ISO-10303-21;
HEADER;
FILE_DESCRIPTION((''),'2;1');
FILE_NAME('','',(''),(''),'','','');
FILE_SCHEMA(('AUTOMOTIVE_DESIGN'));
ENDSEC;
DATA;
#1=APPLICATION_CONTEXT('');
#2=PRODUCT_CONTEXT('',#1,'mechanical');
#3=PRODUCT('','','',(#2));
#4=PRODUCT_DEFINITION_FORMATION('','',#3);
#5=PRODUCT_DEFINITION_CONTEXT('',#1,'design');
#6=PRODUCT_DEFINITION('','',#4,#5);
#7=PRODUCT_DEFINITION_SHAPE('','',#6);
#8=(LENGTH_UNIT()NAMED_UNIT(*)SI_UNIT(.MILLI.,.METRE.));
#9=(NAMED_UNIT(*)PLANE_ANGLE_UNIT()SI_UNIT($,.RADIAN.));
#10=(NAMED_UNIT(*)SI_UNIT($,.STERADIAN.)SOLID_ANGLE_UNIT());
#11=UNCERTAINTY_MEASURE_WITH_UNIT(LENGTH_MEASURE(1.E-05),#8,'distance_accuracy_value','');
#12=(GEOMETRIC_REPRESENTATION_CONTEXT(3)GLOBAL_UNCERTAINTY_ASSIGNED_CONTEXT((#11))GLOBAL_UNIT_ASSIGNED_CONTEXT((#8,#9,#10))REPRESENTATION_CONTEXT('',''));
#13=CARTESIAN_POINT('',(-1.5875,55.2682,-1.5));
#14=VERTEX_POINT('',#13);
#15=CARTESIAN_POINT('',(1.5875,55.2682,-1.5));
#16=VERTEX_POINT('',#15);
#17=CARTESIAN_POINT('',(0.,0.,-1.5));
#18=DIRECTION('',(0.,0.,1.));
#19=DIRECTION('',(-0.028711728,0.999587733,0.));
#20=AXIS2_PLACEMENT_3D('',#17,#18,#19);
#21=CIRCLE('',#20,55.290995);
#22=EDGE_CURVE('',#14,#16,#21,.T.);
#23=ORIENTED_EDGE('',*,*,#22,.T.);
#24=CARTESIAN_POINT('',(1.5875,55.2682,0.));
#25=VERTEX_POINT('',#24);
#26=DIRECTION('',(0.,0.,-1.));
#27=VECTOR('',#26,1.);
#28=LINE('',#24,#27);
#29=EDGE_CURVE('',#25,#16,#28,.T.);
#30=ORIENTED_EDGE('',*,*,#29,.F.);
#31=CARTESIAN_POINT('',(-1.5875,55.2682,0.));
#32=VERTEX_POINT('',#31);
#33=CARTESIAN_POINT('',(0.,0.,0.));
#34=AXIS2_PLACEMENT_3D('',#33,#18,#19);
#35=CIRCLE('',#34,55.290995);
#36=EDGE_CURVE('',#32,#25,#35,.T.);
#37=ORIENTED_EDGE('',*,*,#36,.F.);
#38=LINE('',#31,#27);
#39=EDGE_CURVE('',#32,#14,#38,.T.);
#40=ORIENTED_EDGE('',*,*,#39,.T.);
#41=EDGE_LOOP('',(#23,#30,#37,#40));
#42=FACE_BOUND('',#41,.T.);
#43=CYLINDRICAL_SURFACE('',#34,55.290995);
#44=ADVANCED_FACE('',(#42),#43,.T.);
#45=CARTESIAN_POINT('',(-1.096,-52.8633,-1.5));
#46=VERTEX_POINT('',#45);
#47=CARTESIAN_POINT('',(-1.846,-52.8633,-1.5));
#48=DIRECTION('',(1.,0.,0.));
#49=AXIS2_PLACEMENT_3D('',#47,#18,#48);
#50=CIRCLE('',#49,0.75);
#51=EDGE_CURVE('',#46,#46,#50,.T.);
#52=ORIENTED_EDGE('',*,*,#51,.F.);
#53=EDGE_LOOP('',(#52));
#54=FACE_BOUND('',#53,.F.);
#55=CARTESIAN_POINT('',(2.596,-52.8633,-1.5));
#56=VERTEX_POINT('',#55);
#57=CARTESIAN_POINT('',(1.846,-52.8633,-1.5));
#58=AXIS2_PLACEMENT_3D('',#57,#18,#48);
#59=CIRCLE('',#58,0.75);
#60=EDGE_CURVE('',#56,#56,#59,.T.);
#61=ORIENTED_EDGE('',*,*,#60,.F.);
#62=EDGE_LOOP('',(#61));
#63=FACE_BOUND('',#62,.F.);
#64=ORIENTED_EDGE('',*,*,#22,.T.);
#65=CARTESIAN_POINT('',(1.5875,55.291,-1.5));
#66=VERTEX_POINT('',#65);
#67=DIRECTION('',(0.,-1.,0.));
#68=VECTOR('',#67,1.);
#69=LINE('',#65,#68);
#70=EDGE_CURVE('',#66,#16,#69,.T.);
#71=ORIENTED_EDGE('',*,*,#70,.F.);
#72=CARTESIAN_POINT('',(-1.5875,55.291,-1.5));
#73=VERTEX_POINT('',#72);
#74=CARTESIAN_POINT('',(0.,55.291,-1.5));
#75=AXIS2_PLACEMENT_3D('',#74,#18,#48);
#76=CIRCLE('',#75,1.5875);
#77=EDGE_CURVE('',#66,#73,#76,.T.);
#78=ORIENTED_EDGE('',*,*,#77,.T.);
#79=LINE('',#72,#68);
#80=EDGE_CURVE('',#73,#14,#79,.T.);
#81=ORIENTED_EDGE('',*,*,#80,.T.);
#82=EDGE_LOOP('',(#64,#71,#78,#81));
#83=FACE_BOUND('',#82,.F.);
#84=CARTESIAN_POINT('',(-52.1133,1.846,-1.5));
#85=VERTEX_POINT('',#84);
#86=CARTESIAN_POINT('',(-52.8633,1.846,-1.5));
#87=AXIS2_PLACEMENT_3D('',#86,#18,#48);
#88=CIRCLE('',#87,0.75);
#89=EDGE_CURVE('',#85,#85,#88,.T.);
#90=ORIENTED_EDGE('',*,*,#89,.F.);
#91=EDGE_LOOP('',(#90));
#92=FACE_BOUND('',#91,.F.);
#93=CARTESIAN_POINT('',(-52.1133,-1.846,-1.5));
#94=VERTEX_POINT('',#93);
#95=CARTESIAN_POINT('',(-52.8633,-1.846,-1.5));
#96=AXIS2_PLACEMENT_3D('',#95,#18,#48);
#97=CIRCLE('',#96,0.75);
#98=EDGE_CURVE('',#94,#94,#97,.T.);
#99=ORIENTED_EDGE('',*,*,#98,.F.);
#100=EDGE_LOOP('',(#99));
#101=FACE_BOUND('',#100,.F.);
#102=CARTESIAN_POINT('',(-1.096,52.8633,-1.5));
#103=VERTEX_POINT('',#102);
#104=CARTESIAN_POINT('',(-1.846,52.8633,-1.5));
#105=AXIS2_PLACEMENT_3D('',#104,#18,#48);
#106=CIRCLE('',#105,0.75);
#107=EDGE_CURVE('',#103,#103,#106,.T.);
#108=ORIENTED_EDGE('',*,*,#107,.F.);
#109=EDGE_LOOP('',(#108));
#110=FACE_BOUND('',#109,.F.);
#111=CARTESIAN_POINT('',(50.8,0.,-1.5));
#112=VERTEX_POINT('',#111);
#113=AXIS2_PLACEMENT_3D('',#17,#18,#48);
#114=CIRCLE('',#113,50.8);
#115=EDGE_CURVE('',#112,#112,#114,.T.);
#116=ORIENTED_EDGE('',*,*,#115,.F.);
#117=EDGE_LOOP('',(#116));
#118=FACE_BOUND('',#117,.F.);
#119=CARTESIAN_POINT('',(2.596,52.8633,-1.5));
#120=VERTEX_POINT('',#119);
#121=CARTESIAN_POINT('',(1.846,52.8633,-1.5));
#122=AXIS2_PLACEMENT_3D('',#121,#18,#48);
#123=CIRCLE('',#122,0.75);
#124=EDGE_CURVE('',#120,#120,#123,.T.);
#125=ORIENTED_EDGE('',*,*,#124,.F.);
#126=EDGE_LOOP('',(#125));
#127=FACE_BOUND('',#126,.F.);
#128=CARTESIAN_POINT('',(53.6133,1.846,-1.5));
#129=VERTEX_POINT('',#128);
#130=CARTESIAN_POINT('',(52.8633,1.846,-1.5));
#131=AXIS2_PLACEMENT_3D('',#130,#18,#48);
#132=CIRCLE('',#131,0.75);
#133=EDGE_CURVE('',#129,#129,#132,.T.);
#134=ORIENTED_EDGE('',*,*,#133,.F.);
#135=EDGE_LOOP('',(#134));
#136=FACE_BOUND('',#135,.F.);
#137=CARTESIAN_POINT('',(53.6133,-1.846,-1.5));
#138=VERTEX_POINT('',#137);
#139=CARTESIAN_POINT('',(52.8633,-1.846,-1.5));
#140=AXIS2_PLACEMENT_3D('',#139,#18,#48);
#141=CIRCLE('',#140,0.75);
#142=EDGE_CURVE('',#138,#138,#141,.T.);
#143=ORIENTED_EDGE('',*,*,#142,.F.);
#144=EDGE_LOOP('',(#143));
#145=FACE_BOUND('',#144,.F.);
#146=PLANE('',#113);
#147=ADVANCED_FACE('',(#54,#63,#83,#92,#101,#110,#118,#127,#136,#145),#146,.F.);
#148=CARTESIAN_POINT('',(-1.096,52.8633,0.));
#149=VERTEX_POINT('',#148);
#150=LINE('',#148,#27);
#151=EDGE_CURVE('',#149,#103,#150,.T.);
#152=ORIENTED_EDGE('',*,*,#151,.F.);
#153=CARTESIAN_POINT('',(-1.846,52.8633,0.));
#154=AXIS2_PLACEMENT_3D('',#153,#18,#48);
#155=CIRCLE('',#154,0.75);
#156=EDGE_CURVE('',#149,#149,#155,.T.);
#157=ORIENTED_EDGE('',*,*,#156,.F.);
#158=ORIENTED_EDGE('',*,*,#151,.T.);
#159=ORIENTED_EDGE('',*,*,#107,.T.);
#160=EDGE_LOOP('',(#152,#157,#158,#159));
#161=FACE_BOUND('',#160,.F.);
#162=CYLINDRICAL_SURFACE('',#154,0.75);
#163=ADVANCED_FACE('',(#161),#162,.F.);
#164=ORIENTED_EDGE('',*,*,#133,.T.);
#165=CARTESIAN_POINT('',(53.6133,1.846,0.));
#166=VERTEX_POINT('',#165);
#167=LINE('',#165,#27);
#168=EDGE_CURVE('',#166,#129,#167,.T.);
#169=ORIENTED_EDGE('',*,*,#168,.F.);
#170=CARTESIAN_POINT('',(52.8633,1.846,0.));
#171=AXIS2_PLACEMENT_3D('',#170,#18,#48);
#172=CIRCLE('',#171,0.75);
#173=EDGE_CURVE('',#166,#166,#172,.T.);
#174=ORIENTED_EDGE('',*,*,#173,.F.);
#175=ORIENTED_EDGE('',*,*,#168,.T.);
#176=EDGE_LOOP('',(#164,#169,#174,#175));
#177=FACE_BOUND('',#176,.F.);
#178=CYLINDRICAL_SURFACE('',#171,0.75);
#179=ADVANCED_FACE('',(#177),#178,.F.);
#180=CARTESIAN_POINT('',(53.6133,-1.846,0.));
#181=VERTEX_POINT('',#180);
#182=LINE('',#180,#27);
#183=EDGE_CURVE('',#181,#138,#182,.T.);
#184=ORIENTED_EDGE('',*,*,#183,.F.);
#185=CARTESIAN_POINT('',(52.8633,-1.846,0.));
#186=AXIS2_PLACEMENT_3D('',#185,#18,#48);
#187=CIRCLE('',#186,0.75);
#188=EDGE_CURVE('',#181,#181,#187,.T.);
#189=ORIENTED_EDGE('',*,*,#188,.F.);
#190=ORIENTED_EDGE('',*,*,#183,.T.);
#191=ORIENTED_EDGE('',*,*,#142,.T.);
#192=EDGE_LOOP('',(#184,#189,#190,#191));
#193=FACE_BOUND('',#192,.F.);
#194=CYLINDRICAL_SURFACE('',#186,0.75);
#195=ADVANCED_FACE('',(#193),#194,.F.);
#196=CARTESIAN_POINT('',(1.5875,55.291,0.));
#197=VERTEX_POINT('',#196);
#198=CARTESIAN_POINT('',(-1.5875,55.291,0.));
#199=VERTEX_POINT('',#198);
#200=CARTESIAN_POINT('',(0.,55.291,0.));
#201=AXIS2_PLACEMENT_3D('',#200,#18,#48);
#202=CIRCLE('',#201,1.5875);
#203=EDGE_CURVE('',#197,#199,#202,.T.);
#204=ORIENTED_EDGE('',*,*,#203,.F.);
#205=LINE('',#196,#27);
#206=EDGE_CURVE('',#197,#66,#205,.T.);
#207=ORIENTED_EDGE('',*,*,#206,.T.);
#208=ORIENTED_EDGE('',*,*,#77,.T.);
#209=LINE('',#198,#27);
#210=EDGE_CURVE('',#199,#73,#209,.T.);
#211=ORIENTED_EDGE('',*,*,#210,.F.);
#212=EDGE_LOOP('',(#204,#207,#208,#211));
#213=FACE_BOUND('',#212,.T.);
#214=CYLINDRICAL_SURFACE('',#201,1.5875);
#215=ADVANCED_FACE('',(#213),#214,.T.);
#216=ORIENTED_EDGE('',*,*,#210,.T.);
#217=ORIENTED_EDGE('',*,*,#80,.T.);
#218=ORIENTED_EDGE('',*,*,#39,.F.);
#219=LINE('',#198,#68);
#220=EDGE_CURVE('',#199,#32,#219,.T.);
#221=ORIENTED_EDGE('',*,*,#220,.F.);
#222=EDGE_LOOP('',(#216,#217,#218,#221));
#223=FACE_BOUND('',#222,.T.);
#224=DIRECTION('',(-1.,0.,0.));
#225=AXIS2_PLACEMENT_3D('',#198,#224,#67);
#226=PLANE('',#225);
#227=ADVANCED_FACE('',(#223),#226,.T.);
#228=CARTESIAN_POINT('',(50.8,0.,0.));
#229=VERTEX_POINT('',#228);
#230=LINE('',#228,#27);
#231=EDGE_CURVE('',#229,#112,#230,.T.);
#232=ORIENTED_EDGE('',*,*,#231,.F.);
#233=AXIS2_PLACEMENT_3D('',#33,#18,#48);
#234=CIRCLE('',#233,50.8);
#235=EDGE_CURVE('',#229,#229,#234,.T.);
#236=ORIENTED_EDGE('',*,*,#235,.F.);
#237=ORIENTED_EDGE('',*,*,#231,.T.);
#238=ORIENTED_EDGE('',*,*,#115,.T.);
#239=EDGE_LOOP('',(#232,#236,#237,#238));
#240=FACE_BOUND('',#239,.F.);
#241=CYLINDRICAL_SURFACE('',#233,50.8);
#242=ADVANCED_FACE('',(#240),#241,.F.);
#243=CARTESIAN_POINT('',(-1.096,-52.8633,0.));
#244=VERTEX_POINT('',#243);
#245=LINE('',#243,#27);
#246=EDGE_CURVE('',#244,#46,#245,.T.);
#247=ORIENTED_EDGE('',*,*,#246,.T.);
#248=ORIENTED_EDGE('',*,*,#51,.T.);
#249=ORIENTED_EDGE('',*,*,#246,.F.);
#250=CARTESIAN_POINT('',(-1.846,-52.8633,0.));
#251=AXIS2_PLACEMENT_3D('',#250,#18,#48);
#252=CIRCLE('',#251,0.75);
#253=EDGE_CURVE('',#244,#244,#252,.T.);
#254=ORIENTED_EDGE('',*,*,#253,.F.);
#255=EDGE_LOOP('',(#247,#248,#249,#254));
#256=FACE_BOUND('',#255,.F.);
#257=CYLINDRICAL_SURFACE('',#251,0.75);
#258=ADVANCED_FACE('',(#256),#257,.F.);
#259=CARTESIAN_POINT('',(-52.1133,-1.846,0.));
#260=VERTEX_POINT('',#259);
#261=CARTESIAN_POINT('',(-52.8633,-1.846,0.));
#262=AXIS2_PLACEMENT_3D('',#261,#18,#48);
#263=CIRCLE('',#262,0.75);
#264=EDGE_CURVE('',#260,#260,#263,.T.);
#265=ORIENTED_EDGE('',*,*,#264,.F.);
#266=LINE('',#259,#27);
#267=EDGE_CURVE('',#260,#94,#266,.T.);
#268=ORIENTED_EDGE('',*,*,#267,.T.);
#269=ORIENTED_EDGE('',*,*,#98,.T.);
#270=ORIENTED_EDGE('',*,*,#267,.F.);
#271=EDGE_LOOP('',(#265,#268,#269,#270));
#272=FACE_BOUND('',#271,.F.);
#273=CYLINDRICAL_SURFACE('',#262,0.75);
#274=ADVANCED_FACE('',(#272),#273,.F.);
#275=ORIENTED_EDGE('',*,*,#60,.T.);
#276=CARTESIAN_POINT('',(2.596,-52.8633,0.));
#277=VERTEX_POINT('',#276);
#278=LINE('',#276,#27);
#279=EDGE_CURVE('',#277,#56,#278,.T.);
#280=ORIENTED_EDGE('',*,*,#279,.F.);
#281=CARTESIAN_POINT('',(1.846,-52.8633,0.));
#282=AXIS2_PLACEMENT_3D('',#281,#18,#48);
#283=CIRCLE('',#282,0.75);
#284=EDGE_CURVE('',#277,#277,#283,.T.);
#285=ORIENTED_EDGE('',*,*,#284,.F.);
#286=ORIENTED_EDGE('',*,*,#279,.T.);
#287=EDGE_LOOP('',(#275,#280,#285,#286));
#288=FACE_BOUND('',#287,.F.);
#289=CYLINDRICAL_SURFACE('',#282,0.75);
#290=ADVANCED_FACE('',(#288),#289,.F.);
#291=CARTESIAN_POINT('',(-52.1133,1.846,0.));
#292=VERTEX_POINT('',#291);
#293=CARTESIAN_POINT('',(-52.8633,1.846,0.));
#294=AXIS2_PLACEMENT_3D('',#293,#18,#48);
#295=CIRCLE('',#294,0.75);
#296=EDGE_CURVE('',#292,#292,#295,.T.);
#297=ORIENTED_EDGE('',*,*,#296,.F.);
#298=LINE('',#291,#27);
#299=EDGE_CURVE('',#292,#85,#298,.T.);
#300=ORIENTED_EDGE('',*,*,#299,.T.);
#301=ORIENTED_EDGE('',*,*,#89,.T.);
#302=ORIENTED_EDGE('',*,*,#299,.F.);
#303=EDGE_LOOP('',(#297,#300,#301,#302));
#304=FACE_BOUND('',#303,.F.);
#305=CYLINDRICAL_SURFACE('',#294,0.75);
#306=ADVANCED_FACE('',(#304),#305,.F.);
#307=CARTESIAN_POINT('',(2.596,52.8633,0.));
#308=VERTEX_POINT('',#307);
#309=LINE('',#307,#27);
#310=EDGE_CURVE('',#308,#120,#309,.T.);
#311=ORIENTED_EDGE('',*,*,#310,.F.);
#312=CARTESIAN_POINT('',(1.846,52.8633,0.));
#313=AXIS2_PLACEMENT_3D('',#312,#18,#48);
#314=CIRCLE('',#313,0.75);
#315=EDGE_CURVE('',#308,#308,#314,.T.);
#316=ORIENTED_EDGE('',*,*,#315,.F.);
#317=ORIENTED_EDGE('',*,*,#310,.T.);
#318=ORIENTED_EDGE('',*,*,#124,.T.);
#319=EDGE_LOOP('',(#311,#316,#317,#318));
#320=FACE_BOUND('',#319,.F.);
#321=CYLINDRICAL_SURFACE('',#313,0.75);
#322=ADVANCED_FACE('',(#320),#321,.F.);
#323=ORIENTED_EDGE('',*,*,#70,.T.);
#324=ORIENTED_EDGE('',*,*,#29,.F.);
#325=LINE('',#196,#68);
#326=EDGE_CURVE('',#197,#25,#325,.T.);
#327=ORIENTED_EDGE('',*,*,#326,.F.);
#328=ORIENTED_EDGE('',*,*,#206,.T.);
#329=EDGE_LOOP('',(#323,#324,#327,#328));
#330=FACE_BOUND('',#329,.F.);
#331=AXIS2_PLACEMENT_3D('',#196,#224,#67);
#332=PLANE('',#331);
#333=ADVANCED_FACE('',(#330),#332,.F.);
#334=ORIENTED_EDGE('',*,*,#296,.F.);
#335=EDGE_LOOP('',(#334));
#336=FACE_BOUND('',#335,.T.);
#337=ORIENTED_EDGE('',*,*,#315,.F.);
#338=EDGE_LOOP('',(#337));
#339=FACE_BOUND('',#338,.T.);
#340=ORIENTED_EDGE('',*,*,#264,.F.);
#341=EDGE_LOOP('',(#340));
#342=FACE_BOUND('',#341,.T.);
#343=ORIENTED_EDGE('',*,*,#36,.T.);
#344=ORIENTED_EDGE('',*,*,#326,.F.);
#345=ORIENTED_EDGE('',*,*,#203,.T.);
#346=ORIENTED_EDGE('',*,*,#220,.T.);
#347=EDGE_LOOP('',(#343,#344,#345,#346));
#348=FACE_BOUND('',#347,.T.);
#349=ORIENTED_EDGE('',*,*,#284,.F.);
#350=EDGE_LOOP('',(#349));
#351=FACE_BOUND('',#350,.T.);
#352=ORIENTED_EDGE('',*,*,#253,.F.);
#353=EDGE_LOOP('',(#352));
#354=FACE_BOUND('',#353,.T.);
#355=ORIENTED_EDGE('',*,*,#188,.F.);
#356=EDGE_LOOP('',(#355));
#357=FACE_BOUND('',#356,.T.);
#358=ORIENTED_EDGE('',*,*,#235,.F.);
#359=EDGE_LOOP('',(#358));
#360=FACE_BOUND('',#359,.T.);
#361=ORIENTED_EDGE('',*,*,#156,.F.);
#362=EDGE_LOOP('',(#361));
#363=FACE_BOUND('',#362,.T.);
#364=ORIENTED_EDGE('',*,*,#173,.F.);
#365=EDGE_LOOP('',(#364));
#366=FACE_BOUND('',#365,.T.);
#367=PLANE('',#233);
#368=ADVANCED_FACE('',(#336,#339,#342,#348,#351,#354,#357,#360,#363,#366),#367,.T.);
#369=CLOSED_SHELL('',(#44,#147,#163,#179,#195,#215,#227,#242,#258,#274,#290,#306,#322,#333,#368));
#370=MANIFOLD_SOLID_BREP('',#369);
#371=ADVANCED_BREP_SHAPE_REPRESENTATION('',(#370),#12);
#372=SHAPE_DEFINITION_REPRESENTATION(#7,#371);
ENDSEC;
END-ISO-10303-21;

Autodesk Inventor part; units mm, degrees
ref_plane "YZ Plane" through (0, 0, 0) normal (1, 0, 0) x (0, 1, 0)
ref_plane "XZ Plane" through (0, 0, 0) normal (0, 1, 0) x (-1, 0, 0)
ref_plane "XY Plane" through (0, 0, 0) normal (0, 0, 1) x (1, 0, 0)
sketch "Sketch1" plane through (0, 0, 0) normal (0, 0, 1) x (1, 0, 0)
  arc A0 (-1.5875, 55.2682) -> (1.5875, 55.2682) centre (0, 0) ccw
  circle A1 centre (0, 0) radius 50.8
  line L0 (0, 79.3124) -> (0, -77.7249) construction
  line L1 (-77.4074, 0) -> (77.4074, 0) construction
  circle A2 centre (0, 0) radius 52.8955 construction
  circle A3 centre (-1.846, 52.8633) radius 0.75
  circle A4 centre (1.846, 52.8633) radius 0.75
  circle A5 centre (-52.8633, -1.846) radius 0.75
  circle A6 centre (-52.8633, 1.846) radius 0.75
  circle A7 centre (1.846, -52.8633) radius 0.75
  circle A8 centre (-1.846, -52.8633) radius 0.75
  circle A9 centre (52.8633, 1.846) radius 0.75
  circle A10 centre (52.8633, -1.846) radius 0.75
  arc A11 (1.5875, 55.291) -> (-1.5875, 55.291) centre (0, 55.291) ccw
  line L2 (-1.5875, 55.291) -> (-1.5875, 55.2682)
  line L3 (1.5875, 55.291) -> (1.5875, 55.2682)
  dimension "d0" = 110.582
  dimension "d1" = 101.6
  dimension "d4" = 105.791
  dimension "d5" = 4
  dimension "d6" = 1.5
  dimension "d9" = 360
  dimension "d11" = 3.175
extrude "Extrusion1" add sketch "Sketch1" against normal blind 1.5
properties part number "J005536" material "ACRYLIC, CLEAR"
